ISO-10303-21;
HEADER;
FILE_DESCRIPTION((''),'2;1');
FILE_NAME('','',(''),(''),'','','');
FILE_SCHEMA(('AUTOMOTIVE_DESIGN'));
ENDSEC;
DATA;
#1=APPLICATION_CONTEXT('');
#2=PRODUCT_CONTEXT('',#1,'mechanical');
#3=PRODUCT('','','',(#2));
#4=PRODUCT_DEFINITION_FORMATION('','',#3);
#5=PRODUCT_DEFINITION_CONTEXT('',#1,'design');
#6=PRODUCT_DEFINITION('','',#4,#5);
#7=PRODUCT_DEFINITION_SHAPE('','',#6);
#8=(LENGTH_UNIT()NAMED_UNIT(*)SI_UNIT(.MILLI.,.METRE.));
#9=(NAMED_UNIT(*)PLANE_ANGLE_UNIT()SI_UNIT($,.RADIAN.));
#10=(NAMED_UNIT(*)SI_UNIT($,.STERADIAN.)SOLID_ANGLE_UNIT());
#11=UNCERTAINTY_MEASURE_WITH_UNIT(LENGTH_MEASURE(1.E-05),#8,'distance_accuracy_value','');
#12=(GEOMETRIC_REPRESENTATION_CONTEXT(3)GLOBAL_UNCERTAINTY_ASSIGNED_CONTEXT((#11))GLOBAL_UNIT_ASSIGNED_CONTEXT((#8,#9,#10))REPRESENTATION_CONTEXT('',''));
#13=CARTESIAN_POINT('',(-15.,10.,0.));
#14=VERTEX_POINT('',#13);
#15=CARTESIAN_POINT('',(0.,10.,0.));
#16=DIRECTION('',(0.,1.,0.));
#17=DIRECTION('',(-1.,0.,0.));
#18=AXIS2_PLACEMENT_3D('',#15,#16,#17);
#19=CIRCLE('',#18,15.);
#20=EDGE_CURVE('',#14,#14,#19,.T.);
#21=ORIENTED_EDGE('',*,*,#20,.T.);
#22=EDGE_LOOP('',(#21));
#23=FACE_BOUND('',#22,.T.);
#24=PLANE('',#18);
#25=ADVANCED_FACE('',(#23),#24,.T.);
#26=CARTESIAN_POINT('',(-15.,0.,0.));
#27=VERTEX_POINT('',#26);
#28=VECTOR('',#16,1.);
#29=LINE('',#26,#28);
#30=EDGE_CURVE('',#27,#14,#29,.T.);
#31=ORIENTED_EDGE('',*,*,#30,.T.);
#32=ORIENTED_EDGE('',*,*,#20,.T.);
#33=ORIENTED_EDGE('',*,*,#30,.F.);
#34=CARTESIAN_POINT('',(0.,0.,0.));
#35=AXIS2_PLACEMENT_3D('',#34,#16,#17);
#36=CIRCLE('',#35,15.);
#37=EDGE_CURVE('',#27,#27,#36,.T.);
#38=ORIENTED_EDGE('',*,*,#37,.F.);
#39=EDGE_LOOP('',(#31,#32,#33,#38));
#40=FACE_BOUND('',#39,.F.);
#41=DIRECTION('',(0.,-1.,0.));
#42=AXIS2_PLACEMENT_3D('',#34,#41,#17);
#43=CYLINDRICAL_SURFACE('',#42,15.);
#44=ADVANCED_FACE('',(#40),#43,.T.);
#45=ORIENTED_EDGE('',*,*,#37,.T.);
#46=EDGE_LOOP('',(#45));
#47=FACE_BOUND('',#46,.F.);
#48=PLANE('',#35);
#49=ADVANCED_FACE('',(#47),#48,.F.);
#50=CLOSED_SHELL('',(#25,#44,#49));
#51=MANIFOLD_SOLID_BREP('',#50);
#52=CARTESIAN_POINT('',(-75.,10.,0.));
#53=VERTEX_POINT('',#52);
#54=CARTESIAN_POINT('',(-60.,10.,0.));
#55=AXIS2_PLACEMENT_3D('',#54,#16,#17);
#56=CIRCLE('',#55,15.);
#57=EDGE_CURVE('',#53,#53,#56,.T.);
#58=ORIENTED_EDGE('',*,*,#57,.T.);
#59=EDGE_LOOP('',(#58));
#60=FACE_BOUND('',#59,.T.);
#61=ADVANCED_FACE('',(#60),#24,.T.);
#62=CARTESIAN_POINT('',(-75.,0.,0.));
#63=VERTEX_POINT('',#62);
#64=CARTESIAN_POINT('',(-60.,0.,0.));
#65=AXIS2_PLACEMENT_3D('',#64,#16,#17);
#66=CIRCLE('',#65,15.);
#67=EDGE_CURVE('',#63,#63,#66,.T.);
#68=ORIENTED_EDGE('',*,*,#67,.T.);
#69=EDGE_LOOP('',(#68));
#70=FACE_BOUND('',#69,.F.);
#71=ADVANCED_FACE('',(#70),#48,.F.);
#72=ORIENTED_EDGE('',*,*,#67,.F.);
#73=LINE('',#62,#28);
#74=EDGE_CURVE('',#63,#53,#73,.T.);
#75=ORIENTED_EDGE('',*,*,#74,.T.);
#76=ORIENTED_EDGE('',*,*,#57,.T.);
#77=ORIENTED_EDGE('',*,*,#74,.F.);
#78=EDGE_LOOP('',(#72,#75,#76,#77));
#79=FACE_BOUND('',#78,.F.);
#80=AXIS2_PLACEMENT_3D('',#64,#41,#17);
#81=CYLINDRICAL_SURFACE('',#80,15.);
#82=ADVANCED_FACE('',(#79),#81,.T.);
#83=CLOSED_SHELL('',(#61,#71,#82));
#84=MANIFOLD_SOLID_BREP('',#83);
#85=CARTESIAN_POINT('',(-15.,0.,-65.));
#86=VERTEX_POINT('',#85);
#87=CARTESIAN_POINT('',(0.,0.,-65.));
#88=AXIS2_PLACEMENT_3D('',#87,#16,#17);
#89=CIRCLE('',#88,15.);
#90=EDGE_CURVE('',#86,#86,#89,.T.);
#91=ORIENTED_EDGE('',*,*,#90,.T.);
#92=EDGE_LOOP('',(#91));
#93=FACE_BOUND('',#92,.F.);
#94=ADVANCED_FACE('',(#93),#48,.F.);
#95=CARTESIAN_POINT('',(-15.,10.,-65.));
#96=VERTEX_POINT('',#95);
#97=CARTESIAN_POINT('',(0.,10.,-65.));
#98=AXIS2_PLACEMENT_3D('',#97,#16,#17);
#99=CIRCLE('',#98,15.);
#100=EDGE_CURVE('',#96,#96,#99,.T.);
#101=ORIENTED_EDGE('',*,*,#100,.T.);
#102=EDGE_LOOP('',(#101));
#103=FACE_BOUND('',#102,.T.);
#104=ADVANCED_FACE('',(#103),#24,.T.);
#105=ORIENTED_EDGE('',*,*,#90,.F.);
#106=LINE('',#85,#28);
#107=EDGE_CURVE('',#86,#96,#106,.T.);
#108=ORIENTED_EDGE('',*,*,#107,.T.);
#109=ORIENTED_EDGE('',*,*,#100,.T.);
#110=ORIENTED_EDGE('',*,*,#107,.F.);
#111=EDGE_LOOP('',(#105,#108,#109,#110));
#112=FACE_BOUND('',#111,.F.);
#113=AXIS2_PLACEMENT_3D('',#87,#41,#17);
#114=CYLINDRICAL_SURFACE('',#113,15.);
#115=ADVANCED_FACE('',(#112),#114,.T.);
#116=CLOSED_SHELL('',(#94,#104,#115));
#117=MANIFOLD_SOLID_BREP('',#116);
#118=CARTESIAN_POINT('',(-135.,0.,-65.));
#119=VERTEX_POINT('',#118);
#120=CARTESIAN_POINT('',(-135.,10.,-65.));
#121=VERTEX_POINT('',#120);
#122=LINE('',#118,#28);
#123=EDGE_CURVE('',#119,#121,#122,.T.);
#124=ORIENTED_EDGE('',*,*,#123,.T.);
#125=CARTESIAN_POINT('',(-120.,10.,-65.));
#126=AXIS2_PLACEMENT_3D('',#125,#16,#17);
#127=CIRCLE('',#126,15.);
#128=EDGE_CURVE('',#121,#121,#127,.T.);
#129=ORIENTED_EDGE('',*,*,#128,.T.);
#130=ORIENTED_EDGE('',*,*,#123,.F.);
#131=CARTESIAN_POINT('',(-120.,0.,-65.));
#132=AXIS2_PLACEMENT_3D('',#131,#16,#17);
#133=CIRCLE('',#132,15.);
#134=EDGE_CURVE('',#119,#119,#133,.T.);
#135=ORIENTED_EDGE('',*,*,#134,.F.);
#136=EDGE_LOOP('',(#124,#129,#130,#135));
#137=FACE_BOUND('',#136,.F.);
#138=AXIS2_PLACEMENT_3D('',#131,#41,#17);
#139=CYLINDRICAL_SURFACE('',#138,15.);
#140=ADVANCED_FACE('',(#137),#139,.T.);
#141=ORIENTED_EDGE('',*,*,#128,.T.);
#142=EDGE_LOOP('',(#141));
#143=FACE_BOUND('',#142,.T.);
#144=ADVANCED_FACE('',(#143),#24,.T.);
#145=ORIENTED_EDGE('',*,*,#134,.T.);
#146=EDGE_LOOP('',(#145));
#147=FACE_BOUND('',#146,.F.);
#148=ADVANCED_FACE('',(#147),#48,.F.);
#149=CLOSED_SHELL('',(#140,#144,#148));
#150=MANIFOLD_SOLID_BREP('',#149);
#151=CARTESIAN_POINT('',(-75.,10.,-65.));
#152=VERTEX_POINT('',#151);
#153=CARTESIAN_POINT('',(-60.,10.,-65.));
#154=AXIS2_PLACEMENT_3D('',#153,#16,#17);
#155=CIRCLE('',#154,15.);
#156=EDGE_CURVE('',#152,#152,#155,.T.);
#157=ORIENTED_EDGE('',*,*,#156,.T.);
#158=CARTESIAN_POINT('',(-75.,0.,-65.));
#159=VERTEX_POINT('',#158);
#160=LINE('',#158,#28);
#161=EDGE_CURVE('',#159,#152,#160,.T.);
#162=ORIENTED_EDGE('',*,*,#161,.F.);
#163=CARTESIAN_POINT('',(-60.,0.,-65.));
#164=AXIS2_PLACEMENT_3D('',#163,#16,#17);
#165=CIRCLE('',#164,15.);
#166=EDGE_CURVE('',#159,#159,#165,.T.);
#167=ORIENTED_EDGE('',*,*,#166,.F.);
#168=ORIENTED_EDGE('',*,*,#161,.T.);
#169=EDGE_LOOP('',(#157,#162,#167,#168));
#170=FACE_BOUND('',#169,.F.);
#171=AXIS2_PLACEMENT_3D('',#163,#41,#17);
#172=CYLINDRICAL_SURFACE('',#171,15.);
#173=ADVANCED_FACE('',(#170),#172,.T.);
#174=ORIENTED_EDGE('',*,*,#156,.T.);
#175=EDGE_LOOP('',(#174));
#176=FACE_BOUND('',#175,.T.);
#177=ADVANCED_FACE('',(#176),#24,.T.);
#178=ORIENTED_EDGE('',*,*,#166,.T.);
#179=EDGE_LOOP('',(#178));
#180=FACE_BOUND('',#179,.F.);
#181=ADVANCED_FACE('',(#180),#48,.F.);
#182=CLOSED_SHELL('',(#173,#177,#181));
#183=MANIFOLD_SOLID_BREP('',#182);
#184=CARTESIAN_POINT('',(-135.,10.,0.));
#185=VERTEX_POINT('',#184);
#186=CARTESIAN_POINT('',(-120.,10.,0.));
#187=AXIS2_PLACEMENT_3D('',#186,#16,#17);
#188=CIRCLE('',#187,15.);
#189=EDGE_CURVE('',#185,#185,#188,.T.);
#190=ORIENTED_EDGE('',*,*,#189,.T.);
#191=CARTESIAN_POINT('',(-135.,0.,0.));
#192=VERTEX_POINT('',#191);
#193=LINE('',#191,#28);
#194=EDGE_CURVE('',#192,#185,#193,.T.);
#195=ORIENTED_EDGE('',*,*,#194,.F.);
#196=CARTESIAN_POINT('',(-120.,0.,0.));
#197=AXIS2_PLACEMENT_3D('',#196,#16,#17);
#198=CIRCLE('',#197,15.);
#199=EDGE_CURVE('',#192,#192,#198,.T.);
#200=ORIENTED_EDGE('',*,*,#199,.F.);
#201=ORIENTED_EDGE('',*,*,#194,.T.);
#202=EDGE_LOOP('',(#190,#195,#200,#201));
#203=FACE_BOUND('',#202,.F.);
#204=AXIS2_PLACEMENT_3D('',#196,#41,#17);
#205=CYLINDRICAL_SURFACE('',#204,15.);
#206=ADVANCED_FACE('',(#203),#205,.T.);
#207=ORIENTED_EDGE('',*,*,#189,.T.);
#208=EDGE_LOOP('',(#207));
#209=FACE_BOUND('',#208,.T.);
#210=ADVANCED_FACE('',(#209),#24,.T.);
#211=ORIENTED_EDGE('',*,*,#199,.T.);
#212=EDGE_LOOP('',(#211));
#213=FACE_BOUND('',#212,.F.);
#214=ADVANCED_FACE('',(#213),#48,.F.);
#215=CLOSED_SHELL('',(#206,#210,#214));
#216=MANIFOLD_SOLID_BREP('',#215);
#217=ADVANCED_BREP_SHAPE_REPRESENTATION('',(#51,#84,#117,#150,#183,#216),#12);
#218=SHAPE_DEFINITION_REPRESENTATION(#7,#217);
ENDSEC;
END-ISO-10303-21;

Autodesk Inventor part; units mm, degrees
ref_plane "YZ Plane" through (0, 0, 0) normal (1, 0, 0) x (0, 1, 0)
ref_plane "XZ Plane" through (0, 0, 0) normal (0, 1, 0) x (-1, 0, 0)
ref_plane "XY Plane" through (0, 0, 0) normal (0, 0, 1) x (1, 0, 0)
sketch "Sketch1" plane through (0, 0, 0) normal (0, 1, 0) x (-1, 0, 0)
  circle A0 centre (0, 0) radius 15
  line L0 (0, 0) -> (47.0979, 0) construction
  circle A1 centre (60, 0) radius 15
  circle A2 centre (120, 0) radius 15
  line L1 (0, 0) -> (0, -192.965) construction
  circle A3 centre (0, -65) radius 15
  line L2 (0, -65) -> (47.0979, -65) construction
  circle A4 centre (60, -65) radius 15
  circle A5 centre (120, -65) radius 15
  dimension "d0" = 30
  dimension "d6" = 60
  dimension "d13" = 65
extrude "Extrusion1" add sketch "Sketch1" along normal blind 10
properties part number "bt"
